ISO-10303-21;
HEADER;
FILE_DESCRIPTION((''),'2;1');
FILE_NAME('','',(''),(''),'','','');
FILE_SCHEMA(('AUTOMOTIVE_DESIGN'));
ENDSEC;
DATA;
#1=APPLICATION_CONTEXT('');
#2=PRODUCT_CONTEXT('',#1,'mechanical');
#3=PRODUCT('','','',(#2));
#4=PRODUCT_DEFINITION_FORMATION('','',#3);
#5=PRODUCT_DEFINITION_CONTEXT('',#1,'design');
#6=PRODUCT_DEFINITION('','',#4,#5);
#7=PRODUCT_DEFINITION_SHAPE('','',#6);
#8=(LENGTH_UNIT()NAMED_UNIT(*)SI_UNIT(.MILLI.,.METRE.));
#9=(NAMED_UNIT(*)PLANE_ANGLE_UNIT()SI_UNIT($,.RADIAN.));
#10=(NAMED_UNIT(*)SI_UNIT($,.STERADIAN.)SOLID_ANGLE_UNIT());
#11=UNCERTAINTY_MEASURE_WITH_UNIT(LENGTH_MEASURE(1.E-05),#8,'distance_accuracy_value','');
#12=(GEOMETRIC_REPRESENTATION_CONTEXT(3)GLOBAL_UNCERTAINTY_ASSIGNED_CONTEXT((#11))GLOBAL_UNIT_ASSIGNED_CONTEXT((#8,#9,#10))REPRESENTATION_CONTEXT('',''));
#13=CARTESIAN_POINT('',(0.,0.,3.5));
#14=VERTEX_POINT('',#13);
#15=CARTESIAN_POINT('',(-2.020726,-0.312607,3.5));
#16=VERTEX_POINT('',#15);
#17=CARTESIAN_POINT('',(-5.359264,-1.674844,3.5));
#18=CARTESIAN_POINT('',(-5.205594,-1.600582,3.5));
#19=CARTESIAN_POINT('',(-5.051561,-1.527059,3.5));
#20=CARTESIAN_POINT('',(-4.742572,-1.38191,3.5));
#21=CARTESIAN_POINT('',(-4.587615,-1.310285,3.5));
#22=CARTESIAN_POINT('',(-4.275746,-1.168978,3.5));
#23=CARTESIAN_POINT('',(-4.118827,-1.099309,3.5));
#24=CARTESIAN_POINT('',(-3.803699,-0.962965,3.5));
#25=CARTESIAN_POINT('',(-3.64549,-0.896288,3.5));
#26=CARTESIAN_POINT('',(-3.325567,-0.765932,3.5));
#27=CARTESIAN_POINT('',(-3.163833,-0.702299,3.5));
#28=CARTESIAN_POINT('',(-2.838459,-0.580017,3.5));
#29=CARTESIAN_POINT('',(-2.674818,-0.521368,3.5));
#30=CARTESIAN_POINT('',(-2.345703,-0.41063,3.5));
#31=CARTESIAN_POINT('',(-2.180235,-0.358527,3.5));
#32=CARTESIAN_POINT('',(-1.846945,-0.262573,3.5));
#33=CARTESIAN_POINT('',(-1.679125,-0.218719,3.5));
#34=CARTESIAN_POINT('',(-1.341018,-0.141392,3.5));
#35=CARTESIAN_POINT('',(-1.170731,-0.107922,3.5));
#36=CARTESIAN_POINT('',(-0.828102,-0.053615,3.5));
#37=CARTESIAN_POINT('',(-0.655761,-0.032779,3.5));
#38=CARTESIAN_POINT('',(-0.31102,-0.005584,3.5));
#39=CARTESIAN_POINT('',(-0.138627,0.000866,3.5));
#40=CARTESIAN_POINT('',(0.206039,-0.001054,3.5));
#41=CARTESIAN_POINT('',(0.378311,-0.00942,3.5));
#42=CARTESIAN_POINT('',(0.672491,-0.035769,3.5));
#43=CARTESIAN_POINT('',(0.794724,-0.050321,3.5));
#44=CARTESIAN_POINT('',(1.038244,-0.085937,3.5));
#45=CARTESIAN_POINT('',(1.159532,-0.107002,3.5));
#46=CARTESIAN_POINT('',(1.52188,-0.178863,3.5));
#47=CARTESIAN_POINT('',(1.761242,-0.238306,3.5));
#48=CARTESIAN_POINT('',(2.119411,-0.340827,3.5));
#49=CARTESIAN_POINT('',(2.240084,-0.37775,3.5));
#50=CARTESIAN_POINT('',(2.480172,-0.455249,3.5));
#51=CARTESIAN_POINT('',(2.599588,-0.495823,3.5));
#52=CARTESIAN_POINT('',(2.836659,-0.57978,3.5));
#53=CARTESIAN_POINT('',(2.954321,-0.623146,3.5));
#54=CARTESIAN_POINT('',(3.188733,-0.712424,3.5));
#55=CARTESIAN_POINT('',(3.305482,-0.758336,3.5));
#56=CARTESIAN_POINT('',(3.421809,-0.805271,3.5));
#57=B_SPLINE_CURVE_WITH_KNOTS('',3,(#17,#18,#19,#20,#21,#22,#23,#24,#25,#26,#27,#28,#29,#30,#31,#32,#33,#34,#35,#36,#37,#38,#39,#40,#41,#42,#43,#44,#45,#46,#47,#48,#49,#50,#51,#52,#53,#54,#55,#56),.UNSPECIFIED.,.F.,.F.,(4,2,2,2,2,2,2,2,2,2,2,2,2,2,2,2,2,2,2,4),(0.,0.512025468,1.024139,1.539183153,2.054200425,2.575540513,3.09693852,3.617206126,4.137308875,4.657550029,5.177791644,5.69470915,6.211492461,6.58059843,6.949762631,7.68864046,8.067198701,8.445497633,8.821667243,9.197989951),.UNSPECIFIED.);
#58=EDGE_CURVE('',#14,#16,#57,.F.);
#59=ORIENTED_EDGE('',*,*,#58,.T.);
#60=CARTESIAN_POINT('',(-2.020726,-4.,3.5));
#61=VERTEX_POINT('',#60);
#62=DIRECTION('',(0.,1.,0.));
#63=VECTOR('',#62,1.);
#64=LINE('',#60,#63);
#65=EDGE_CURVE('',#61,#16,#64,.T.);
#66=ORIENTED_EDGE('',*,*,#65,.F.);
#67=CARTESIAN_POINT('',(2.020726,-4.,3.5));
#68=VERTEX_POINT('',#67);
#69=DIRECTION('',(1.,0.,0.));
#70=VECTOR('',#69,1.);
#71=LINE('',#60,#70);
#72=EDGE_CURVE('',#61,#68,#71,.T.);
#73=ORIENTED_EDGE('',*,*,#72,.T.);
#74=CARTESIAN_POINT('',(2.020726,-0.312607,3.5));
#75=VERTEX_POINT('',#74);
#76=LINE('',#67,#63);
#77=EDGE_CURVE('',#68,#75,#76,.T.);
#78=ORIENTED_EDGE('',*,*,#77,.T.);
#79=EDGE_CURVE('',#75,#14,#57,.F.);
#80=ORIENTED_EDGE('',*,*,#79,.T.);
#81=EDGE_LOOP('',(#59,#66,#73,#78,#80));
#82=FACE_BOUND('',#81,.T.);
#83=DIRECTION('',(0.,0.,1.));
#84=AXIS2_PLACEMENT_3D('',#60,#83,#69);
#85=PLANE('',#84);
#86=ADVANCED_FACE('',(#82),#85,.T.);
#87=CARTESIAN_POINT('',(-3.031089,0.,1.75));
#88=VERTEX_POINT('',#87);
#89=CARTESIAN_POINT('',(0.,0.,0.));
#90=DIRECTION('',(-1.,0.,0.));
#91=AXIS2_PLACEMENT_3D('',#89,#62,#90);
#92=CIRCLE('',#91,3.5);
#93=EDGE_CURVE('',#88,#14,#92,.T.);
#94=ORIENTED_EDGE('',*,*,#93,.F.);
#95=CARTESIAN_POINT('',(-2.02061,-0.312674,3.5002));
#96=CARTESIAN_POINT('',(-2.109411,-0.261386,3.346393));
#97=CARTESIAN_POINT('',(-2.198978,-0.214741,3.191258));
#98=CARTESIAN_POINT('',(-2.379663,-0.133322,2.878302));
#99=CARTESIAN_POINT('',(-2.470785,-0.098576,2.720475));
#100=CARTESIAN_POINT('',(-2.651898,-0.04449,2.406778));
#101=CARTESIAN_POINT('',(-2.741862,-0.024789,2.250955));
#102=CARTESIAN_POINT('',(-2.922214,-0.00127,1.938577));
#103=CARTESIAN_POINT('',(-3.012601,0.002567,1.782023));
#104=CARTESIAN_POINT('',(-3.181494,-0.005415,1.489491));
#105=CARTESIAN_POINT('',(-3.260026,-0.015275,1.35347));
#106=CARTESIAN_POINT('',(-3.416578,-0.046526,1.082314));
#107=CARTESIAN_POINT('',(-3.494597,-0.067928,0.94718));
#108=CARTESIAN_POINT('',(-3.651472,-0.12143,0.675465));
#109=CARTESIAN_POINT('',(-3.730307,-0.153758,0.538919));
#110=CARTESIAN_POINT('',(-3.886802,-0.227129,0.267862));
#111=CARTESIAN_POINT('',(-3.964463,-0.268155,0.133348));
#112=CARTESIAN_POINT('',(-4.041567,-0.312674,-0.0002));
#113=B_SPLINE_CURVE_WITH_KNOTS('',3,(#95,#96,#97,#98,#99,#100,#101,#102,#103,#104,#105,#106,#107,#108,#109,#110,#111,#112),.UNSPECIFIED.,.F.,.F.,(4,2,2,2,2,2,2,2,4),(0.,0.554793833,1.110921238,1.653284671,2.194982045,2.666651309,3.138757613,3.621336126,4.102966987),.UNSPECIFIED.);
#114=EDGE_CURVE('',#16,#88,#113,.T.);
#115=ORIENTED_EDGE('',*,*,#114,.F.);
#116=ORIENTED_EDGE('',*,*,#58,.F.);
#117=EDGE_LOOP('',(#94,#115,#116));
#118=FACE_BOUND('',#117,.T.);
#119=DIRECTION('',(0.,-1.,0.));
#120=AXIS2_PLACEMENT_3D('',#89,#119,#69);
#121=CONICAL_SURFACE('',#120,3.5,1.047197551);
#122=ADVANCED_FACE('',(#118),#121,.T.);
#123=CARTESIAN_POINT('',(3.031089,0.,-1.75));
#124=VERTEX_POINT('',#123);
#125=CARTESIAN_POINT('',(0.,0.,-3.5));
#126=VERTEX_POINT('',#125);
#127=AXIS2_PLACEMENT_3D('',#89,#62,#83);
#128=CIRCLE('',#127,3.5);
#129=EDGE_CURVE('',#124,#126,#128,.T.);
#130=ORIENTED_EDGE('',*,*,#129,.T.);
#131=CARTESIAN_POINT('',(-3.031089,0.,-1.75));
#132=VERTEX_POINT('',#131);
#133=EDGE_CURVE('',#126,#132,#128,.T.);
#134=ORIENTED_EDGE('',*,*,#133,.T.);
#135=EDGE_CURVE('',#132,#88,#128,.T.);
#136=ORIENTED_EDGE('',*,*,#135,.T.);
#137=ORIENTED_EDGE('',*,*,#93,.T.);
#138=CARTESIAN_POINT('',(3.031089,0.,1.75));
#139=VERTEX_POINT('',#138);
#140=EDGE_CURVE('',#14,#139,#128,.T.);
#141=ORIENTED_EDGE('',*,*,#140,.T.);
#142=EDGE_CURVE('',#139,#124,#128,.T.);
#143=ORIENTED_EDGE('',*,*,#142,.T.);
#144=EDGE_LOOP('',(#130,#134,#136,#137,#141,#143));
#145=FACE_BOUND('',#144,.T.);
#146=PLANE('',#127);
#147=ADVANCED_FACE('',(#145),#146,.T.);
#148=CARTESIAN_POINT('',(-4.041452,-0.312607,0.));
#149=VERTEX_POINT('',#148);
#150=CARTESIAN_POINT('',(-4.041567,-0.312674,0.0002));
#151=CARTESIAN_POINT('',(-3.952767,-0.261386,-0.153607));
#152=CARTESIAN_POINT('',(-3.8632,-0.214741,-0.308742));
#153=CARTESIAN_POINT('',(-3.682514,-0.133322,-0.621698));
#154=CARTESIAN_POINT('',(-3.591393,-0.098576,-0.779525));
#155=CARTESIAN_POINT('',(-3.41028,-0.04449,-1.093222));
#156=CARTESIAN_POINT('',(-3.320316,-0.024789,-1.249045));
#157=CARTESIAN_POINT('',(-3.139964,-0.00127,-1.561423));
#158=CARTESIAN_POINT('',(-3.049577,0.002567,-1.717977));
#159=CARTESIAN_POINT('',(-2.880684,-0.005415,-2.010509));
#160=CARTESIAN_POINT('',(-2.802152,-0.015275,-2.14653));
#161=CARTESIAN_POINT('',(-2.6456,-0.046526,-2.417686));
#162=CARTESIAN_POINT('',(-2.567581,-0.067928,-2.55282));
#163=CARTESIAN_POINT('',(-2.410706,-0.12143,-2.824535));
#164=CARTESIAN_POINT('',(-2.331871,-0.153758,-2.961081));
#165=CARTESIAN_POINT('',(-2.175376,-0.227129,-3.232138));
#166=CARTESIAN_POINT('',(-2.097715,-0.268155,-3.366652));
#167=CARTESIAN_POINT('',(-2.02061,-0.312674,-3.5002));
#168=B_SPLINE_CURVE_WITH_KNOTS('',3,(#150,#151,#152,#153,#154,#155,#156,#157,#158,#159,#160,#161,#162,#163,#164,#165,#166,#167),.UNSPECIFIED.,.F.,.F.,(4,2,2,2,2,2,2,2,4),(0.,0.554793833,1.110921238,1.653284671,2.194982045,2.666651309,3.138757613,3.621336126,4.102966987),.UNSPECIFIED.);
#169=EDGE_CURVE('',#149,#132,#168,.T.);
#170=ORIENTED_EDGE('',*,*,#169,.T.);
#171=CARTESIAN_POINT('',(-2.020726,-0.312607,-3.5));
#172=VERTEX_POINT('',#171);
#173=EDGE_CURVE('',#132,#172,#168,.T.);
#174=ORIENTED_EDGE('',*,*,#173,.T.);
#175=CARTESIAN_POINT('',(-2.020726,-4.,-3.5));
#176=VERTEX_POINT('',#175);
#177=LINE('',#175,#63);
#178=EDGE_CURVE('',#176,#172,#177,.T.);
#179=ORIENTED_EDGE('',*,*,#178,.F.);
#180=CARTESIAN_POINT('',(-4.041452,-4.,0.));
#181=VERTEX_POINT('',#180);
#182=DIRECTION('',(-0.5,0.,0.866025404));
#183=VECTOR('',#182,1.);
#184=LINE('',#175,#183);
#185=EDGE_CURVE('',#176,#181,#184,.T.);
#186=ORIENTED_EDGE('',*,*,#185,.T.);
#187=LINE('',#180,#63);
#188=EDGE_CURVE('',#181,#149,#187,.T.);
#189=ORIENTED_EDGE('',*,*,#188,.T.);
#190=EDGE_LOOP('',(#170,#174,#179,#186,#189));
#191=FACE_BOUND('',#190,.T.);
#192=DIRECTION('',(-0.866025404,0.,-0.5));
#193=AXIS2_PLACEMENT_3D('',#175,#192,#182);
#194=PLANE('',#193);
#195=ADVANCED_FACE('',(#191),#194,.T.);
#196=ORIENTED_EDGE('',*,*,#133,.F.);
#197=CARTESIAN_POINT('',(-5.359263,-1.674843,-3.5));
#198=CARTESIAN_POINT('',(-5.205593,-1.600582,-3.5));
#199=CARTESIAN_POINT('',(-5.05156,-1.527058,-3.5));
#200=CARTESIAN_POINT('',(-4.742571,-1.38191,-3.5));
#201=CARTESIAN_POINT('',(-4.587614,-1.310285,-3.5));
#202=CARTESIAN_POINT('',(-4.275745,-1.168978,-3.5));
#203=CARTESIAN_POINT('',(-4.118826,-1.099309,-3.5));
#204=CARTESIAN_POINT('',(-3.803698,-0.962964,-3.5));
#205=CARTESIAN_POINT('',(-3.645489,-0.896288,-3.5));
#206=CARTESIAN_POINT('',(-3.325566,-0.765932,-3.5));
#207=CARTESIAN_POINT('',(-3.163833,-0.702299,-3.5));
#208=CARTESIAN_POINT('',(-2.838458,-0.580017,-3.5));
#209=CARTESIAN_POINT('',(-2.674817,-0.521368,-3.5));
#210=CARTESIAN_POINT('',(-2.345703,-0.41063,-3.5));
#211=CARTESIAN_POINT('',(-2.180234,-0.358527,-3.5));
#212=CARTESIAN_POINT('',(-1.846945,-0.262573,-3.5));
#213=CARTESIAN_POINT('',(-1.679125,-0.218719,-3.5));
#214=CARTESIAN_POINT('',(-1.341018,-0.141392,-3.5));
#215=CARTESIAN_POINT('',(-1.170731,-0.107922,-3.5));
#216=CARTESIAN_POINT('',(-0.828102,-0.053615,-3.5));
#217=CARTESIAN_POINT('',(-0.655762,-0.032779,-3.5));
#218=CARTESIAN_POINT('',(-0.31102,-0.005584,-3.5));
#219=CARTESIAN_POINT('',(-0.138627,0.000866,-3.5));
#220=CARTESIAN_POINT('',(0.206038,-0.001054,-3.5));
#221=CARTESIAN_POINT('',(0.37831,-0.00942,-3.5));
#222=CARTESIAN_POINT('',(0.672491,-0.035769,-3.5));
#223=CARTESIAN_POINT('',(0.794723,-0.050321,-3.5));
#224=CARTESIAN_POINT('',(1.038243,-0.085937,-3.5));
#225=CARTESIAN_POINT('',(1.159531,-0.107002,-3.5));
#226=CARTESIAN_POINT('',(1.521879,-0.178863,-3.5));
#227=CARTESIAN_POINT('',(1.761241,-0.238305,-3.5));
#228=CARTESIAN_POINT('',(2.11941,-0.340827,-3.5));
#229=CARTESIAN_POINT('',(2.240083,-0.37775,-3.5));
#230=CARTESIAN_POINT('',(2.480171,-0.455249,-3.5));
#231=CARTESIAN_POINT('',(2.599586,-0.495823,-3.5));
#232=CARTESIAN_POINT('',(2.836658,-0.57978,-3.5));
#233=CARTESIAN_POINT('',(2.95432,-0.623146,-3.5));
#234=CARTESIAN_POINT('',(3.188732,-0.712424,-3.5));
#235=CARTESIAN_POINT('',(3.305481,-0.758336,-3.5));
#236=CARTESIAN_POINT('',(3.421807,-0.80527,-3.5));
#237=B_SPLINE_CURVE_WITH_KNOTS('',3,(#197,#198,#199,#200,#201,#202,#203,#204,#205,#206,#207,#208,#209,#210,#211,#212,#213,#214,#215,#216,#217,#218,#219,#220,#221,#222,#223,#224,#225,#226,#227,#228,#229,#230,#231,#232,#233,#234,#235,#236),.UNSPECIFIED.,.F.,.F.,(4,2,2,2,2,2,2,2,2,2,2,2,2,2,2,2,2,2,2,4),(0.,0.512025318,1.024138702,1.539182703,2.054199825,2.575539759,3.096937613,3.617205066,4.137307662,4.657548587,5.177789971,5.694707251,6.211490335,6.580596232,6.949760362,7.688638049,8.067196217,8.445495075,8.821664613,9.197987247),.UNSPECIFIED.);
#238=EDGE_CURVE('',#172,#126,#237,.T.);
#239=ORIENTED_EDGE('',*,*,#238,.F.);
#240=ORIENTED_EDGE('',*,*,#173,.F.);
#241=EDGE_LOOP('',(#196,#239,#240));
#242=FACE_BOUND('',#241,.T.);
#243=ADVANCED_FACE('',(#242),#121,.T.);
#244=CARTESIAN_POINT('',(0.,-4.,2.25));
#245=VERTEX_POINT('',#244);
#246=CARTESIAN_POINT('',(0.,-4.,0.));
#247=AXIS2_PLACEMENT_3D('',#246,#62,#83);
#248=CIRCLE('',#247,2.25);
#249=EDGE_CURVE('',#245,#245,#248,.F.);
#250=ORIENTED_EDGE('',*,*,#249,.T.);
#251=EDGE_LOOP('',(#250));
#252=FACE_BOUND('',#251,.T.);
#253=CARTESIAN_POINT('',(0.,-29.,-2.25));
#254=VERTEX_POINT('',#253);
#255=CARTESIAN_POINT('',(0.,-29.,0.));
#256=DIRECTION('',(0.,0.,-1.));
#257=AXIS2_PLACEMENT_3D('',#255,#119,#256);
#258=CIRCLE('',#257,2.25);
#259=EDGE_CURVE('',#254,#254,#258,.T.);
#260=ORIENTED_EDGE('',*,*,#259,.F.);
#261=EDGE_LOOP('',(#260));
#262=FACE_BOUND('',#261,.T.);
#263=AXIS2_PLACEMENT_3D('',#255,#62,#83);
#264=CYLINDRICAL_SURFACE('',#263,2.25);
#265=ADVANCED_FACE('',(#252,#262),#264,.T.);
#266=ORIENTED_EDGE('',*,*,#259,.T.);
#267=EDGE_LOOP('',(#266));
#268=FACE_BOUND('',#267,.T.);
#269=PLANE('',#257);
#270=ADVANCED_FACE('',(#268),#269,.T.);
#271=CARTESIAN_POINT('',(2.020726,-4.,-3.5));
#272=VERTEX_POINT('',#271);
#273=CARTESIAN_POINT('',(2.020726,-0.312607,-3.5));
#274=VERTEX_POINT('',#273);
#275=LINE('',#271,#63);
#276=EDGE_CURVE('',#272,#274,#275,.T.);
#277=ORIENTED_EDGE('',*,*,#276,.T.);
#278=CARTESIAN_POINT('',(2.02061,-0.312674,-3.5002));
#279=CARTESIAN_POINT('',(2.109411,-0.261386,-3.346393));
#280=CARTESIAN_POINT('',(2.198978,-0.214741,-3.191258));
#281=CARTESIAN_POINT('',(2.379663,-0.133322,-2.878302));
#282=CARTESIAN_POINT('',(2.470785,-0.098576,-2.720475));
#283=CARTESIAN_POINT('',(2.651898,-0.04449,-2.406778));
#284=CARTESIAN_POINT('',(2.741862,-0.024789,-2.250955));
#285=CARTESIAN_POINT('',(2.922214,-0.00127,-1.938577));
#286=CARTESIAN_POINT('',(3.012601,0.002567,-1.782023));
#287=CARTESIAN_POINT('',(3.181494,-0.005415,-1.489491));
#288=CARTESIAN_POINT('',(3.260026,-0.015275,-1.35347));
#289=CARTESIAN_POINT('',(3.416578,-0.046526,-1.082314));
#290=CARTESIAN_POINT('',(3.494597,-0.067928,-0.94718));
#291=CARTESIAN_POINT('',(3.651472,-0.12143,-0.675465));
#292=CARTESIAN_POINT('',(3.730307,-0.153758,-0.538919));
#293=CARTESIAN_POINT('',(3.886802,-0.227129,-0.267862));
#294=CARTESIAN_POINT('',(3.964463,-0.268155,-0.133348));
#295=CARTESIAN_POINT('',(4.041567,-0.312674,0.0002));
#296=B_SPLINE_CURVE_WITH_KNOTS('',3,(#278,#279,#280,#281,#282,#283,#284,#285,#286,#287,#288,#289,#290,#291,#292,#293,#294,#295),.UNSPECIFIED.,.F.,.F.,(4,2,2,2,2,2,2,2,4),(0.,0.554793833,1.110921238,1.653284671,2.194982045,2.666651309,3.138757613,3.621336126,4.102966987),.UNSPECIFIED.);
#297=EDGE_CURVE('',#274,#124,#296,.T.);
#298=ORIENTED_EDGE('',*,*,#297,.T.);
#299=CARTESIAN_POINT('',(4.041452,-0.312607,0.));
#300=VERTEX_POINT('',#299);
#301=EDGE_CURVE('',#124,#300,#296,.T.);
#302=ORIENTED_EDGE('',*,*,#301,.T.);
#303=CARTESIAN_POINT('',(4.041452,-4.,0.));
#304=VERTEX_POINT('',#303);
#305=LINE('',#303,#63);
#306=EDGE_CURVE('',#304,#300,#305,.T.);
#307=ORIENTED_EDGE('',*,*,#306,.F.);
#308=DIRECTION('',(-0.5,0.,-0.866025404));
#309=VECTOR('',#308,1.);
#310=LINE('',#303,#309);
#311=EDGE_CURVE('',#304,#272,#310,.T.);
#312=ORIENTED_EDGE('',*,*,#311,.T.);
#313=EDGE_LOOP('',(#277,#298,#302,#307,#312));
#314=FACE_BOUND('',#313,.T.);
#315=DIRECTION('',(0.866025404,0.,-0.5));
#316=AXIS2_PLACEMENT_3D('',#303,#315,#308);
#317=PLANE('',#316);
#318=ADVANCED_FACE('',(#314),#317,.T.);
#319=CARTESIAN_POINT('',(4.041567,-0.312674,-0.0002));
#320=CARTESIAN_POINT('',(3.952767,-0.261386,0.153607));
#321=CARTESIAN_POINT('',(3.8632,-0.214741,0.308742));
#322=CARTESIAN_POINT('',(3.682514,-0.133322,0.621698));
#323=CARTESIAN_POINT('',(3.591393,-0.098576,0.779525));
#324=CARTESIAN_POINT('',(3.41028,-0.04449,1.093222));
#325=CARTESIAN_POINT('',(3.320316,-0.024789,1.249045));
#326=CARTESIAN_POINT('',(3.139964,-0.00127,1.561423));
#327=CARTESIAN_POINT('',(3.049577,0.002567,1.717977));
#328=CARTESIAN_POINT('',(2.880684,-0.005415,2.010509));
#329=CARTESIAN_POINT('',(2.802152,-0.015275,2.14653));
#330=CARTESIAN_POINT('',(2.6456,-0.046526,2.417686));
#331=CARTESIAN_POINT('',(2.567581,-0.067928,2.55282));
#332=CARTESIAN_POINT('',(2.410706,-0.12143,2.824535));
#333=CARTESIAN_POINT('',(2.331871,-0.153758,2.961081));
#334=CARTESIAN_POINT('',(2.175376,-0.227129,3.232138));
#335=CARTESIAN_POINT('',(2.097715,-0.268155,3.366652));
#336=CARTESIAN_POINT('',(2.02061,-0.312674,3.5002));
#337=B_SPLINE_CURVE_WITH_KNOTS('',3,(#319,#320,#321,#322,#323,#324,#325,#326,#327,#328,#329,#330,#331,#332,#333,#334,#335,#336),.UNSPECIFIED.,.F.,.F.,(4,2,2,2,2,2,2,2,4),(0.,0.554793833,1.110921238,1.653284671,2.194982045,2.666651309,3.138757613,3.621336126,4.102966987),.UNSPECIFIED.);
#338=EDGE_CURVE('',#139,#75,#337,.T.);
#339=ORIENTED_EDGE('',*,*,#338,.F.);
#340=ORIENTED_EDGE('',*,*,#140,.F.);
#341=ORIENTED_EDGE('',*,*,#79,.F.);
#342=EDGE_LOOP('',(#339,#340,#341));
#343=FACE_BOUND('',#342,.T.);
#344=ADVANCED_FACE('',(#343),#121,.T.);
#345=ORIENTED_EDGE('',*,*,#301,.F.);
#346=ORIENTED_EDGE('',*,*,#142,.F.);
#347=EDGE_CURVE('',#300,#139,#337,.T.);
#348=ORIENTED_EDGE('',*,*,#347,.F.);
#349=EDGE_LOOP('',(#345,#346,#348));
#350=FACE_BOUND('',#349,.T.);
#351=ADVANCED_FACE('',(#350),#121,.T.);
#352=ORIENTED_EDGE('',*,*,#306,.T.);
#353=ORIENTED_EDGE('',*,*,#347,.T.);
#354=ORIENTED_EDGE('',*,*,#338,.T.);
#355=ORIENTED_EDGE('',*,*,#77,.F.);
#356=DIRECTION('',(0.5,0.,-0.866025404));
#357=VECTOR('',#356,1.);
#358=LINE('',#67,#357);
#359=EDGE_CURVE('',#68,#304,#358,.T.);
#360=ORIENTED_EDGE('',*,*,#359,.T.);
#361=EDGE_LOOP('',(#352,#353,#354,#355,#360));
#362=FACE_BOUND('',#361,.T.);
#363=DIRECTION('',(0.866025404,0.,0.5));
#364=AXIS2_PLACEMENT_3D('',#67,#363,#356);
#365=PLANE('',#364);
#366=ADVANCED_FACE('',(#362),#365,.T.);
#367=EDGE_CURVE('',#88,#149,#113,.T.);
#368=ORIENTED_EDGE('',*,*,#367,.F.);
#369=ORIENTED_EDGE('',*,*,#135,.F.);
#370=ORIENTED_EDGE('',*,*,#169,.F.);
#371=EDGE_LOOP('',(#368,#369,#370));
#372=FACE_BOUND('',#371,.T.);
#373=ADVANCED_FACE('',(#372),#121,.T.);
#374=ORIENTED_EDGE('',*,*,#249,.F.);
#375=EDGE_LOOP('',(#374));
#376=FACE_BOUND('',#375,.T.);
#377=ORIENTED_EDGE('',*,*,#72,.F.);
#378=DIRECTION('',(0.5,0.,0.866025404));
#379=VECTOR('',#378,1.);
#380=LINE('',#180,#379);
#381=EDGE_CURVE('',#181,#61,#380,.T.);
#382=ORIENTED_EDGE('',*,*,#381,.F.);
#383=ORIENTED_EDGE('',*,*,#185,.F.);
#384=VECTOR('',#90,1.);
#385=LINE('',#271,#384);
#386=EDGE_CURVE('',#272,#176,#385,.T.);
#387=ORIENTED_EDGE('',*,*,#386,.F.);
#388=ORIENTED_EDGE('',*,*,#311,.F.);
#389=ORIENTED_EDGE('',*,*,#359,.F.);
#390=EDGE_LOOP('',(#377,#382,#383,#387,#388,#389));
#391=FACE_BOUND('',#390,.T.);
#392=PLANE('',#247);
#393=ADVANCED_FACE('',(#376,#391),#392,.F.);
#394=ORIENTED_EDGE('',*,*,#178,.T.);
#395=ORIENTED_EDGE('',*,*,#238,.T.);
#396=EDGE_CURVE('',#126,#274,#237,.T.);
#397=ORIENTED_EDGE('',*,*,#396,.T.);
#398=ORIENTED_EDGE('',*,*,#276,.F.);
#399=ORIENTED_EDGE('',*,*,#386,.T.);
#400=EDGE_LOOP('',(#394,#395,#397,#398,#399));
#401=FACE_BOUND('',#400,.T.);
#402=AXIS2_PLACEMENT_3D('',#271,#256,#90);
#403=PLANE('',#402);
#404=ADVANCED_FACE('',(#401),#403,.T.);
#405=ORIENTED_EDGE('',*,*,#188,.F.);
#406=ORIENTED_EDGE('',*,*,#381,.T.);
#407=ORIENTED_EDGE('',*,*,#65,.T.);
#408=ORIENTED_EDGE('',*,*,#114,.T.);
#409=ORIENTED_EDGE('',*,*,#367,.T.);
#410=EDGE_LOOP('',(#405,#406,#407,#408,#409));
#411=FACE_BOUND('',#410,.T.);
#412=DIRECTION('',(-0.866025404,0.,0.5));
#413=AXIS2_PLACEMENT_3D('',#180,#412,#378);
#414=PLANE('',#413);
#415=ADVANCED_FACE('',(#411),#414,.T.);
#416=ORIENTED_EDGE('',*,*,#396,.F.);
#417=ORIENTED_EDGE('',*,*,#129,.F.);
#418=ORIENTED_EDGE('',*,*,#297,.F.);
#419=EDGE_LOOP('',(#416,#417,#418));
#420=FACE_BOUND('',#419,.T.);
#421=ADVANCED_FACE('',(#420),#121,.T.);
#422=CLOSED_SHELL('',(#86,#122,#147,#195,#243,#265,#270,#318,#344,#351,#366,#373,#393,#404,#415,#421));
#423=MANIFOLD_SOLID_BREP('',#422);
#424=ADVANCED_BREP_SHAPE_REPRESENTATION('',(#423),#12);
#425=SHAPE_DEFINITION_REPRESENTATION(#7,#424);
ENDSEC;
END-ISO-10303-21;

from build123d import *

# Parameters (mm, degrees)
BOSS_EXTRUDE1_DEPTH = 4
SKETCH9_R           = 2.25
BOSS_EXTRUDE2_DEPTH = 25


with BuildPart() as part:
    # Sketch3 → Boss-Extrude1 (new body)
    with BuildSketch(Plane(origin=(0, 0, 0), x_dir=(1, 0, 0), z_dir=(0, 1, 0))):
        Polygon((4.041451884, 0), (2.020725942, 3.5), (-2.020725942, 3.5), (-4.041451884, 0), (-2.020725942, -3.5), (2.020725942, -3.5), align=None)
    extrude(amount=-BOSS_EXTRUDE1_DEPTH)

    # Sketch8 → Cut-Revolve2 (revolve, cut)
    with BuildSketch(Plane.XY):
        Polygon((3.5, 0), (4.041451884, 0), (4.041451884, -0.312607391), align=None)
    revolve(axis=Axis((0, 2.328087819, 0), (0, -1, 0)), mode=Mode.SUBTRACT)

    # Sketch9 → Boss-Extrude2 (add)
    with BuildSketch(Plane.XZ.offset(4)):
        with Locations(Location((0, 0, 0), (0, 0, 90))):
            Circle(SKETCH9_R)
    extrude(amount=BOSS_EXTRUDE2_DEPTH)


solid = part.part
